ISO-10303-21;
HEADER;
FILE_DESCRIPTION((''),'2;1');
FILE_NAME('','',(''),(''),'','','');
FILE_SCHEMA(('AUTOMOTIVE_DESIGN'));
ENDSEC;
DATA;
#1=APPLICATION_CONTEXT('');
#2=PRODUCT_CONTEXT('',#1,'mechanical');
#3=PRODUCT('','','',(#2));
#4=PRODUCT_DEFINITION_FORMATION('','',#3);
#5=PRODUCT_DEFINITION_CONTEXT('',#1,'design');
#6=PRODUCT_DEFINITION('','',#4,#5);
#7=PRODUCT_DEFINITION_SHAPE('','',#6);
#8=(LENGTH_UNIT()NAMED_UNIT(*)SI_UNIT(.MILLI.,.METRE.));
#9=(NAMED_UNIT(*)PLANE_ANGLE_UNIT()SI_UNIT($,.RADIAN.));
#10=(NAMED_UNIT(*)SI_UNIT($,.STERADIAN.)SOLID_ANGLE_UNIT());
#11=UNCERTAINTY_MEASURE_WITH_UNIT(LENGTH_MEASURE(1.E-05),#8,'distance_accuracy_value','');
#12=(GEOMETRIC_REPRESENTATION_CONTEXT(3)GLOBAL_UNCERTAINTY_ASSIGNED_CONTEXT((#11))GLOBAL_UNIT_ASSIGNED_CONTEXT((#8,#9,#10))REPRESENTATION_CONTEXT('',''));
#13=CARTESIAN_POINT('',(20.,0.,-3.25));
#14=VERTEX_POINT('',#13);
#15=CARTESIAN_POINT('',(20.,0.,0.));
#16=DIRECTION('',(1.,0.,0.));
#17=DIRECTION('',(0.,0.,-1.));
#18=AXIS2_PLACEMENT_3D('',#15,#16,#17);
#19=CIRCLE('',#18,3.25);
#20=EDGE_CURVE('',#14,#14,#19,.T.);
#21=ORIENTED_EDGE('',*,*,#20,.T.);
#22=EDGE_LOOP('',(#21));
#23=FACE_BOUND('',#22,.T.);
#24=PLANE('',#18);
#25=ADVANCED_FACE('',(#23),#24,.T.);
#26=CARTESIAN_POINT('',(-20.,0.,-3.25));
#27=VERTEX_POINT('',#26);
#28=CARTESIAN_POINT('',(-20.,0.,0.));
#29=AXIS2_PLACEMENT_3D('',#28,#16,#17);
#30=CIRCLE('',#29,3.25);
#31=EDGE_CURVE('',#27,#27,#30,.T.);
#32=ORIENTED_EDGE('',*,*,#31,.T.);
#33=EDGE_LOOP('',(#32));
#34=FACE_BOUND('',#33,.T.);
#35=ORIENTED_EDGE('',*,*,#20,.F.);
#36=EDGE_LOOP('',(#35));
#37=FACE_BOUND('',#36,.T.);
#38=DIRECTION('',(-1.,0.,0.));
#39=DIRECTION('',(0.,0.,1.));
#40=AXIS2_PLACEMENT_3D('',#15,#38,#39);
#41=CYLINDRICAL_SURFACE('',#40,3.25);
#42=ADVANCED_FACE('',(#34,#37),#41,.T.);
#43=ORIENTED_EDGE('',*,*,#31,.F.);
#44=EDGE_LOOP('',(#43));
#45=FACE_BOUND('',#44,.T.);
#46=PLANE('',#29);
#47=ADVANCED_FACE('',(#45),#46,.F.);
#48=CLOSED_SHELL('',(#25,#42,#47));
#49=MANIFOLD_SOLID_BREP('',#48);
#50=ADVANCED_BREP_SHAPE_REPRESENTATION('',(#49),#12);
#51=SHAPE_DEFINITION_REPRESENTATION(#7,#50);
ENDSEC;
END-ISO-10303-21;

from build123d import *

# Parameters (mm, degrees)
SKETCH1_R           = 3.25
BOSS_EXTRUDE1_DEPTH = 20


with BuildPart() as part:
    # Sketch1 → Boss-Extrude1 (new body, symmetric)
    with BuildSketch(Plane(origin=(0, 0, 0), x_dir=(0, 0, -1), z_dir=(1, 0, 0))):
        Circle(SKETCH1_R)
    extrude(amount=BOSS_EXTRUDE1_DEPTH, both=True)


solid = part.part
